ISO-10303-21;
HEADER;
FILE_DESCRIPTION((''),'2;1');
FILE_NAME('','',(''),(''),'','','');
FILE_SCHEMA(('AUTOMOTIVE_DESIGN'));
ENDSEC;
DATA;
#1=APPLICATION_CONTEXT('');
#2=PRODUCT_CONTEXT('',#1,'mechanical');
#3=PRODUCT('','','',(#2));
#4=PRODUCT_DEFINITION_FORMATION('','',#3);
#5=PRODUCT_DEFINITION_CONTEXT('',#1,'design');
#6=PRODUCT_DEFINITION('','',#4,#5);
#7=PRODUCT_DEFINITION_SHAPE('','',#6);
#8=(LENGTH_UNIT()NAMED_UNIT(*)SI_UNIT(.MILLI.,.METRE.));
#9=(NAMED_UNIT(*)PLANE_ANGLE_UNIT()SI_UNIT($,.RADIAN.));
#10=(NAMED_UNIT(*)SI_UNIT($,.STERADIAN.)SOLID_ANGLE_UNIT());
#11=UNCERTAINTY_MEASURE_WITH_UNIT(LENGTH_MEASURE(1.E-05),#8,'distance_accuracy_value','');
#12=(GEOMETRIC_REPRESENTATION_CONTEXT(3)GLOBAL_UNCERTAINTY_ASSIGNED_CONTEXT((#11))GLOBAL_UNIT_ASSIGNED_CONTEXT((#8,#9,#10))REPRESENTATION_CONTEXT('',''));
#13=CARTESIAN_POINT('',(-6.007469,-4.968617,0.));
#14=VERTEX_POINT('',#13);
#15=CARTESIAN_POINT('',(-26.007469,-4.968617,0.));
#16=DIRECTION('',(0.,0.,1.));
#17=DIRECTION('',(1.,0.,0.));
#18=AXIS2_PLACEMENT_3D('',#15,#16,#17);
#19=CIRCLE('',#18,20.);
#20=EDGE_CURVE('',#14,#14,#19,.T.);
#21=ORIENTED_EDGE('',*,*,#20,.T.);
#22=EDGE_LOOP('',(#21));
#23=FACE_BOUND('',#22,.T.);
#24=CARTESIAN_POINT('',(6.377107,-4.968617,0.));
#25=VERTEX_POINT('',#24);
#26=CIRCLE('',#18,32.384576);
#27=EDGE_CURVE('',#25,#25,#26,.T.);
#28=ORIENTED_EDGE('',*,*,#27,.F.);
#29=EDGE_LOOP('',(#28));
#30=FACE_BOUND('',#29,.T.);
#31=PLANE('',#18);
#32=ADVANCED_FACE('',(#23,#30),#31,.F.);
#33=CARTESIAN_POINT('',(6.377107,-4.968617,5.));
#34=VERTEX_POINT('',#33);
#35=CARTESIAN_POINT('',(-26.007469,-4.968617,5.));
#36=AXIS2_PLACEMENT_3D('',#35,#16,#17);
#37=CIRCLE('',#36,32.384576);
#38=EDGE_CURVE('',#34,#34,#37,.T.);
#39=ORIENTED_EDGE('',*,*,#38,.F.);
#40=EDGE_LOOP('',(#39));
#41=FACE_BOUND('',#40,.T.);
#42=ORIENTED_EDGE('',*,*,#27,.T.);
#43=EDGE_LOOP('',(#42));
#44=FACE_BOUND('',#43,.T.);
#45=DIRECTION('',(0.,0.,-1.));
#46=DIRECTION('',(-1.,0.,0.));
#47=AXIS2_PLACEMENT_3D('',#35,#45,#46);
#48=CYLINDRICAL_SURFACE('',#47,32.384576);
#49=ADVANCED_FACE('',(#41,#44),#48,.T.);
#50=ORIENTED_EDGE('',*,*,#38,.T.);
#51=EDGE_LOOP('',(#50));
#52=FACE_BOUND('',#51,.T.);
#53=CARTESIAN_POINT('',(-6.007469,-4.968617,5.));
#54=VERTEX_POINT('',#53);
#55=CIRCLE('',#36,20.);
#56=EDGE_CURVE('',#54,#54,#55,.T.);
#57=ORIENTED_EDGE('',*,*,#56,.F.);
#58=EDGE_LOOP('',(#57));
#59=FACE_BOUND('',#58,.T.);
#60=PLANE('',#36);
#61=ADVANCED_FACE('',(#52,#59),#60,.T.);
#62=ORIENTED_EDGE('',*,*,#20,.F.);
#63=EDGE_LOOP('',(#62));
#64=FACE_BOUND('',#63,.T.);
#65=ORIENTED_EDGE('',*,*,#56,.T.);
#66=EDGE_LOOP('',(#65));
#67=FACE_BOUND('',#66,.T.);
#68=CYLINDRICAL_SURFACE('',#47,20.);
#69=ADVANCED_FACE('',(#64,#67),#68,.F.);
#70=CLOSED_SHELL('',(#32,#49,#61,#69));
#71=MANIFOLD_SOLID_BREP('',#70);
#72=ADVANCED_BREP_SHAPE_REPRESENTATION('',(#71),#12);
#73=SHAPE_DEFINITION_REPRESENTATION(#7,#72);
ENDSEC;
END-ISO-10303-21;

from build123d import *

# Parameters (mm, degrees)
SKETCH1_R           = 32.3845764
SKETCH1_R_2         = 20
BOSS_EXTRUDE1_DEPTH = 5


with BuildPart() as part:
    # Sketch1 → Boss-Extrude1 (new body)
    with BuildSketch(Plane.XY):
        with Locations((-26.007469445, -4.968616707)):
            Circle(SKETCH1_R)
        with Locations((-26.007469445, -4.968616707)):
            Circle(SKETCH1_R_2, mode=Mode.SUBTRACT)
    extrude(amount=BOSS_EXTRUDE1_DEPTH)


solid = part.part
